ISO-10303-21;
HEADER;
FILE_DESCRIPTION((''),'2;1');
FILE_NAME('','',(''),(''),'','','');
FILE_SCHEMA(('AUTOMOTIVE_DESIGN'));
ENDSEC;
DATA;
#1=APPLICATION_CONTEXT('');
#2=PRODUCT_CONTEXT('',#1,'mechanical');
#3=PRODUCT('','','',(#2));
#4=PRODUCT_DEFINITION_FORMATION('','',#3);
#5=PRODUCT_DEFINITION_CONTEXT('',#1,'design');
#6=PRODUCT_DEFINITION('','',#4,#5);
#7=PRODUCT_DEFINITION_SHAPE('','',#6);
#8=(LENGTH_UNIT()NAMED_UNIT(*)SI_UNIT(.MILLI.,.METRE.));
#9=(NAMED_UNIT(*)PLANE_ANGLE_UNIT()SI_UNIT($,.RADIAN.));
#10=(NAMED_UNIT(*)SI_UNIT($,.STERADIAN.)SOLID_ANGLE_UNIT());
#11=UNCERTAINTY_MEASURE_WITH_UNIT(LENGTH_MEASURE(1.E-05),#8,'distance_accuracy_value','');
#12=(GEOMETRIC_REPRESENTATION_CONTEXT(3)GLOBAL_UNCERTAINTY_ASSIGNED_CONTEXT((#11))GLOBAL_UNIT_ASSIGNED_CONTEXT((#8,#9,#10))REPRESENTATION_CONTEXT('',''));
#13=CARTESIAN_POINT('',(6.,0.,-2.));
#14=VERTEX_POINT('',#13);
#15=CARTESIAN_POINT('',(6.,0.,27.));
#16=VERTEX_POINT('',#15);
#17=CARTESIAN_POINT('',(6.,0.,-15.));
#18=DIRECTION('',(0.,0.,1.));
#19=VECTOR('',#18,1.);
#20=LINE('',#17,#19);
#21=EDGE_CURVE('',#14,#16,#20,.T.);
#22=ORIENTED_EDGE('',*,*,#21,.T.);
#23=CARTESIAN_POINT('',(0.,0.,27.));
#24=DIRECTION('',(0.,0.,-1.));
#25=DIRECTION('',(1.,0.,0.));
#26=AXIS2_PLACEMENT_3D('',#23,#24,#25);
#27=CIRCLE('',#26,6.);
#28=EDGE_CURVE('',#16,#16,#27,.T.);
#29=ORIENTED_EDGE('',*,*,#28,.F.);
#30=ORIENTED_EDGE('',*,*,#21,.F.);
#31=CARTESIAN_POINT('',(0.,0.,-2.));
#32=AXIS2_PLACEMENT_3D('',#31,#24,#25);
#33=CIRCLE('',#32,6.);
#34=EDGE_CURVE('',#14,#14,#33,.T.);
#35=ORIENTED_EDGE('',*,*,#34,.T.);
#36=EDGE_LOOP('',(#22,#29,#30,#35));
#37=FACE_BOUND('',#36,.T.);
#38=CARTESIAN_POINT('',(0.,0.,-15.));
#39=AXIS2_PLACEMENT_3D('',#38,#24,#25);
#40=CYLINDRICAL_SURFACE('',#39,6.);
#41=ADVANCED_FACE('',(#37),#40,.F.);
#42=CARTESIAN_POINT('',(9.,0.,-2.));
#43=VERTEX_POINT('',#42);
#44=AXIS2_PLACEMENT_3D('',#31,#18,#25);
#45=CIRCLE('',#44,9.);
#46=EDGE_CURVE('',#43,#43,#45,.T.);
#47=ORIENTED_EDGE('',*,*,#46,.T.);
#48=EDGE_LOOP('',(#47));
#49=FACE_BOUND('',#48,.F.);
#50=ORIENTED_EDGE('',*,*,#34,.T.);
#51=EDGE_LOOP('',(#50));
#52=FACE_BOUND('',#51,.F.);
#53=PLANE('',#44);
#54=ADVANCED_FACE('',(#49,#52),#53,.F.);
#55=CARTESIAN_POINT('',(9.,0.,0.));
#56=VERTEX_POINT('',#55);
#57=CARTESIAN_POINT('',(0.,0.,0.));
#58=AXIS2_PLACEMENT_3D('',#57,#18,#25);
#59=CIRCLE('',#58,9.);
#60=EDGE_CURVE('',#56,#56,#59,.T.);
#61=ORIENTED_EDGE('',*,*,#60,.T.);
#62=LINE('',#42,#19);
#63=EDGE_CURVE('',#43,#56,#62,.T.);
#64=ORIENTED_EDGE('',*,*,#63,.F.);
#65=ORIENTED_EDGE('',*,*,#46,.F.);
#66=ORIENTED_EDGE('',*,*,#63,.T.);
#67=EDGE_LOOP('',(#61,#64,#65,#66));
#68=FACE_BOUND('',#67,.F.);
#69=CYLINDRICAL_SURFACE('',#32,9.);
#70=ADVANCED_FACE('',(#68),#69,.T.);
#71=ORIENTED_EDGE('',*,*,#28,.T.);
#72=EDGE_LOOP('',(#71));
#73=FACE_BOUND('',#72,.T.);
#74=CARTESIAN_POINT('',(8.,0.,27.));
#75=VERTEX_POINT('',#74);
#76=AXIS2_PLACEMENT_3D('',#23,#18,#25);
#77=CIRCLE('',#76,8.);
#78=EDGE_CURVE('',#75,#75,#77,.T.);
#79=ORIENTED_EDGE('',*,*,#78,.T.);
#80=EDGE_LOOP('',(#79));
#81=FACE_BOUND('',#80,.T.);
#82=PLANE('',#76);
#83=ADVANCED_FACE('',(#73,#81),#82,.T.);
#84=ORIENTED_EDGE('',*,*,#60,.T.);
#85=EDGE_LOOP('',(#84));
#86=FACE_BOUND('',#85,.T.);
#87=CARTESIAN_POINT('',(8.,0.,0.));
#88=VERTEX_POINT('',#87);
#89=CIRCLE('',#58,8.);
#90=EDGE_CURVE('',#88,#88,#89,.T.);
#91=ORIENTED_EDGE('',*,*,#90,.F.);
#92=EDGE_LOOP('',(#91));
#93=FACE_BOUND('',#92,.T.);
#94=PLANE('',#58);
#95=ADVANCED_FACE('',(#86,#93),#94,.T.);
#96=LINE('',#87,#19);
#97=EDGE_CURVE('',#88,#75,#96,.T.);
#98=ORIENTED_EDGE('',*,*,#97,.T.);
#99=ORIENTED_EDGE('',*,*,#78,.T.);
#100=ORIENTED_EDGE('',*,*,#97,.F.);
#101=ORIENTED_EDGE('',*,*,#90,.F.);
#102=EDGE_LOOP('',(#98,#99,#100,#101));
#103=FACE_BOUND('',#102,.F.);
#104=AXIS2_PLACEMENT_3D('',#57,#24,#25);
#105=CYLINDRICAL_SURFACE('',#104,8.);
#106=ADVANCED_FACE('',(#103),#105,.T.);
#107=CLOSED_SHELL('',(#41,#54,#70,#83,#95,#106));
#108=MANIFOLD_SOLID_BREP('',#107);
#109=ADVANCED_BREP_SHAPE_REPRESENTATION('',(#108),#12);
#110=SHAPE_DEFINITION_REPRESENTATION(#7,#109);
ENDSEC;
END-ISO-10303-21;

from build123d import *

# Parameters (mm, degrees)
CYLINDER005_R     = 6
CYLINDER005_DEPTH = 50
CYLINDER004_R     = 9
CYLINDER004_DEPTH = 2
CYLINDER003_R     = 8
CYLINDER003_DEPTH = 27


with BuildPart() as cylinder005:
    # Cylinder005 → Cylinder005 (new body)
    with BuildSketch(Plane.XY.offset(-15)):
        Circle(CYLINDER005_R)
    extrude(amount=CYLINDER005_DEPTH)


with BuildPart() as cylinder004:
    # Cylinder004 → Cylinder004 (new body)
    with BuildSketch(Plane.XY.offset(-2)):
        Circle(CYLINDER004_R)
    extrude(amount=CYLINDER004_DEPTH)


with BuildPart() as cut007:
    # Cylinder003 → Cylinder003 (new body)
    with BuildSketch(Plane.XY):
        Circle(CYLINDER003_R)
    extrude(amount=CYLINDER003_DEPTH)

    # Fusion007: union Cylinder004
    add(cylinder004.part)

    # Cut007: cut Cylinder005
    add(cylinder005.part, mode=Mode.SUBTRACT)


solid = cut007.part
